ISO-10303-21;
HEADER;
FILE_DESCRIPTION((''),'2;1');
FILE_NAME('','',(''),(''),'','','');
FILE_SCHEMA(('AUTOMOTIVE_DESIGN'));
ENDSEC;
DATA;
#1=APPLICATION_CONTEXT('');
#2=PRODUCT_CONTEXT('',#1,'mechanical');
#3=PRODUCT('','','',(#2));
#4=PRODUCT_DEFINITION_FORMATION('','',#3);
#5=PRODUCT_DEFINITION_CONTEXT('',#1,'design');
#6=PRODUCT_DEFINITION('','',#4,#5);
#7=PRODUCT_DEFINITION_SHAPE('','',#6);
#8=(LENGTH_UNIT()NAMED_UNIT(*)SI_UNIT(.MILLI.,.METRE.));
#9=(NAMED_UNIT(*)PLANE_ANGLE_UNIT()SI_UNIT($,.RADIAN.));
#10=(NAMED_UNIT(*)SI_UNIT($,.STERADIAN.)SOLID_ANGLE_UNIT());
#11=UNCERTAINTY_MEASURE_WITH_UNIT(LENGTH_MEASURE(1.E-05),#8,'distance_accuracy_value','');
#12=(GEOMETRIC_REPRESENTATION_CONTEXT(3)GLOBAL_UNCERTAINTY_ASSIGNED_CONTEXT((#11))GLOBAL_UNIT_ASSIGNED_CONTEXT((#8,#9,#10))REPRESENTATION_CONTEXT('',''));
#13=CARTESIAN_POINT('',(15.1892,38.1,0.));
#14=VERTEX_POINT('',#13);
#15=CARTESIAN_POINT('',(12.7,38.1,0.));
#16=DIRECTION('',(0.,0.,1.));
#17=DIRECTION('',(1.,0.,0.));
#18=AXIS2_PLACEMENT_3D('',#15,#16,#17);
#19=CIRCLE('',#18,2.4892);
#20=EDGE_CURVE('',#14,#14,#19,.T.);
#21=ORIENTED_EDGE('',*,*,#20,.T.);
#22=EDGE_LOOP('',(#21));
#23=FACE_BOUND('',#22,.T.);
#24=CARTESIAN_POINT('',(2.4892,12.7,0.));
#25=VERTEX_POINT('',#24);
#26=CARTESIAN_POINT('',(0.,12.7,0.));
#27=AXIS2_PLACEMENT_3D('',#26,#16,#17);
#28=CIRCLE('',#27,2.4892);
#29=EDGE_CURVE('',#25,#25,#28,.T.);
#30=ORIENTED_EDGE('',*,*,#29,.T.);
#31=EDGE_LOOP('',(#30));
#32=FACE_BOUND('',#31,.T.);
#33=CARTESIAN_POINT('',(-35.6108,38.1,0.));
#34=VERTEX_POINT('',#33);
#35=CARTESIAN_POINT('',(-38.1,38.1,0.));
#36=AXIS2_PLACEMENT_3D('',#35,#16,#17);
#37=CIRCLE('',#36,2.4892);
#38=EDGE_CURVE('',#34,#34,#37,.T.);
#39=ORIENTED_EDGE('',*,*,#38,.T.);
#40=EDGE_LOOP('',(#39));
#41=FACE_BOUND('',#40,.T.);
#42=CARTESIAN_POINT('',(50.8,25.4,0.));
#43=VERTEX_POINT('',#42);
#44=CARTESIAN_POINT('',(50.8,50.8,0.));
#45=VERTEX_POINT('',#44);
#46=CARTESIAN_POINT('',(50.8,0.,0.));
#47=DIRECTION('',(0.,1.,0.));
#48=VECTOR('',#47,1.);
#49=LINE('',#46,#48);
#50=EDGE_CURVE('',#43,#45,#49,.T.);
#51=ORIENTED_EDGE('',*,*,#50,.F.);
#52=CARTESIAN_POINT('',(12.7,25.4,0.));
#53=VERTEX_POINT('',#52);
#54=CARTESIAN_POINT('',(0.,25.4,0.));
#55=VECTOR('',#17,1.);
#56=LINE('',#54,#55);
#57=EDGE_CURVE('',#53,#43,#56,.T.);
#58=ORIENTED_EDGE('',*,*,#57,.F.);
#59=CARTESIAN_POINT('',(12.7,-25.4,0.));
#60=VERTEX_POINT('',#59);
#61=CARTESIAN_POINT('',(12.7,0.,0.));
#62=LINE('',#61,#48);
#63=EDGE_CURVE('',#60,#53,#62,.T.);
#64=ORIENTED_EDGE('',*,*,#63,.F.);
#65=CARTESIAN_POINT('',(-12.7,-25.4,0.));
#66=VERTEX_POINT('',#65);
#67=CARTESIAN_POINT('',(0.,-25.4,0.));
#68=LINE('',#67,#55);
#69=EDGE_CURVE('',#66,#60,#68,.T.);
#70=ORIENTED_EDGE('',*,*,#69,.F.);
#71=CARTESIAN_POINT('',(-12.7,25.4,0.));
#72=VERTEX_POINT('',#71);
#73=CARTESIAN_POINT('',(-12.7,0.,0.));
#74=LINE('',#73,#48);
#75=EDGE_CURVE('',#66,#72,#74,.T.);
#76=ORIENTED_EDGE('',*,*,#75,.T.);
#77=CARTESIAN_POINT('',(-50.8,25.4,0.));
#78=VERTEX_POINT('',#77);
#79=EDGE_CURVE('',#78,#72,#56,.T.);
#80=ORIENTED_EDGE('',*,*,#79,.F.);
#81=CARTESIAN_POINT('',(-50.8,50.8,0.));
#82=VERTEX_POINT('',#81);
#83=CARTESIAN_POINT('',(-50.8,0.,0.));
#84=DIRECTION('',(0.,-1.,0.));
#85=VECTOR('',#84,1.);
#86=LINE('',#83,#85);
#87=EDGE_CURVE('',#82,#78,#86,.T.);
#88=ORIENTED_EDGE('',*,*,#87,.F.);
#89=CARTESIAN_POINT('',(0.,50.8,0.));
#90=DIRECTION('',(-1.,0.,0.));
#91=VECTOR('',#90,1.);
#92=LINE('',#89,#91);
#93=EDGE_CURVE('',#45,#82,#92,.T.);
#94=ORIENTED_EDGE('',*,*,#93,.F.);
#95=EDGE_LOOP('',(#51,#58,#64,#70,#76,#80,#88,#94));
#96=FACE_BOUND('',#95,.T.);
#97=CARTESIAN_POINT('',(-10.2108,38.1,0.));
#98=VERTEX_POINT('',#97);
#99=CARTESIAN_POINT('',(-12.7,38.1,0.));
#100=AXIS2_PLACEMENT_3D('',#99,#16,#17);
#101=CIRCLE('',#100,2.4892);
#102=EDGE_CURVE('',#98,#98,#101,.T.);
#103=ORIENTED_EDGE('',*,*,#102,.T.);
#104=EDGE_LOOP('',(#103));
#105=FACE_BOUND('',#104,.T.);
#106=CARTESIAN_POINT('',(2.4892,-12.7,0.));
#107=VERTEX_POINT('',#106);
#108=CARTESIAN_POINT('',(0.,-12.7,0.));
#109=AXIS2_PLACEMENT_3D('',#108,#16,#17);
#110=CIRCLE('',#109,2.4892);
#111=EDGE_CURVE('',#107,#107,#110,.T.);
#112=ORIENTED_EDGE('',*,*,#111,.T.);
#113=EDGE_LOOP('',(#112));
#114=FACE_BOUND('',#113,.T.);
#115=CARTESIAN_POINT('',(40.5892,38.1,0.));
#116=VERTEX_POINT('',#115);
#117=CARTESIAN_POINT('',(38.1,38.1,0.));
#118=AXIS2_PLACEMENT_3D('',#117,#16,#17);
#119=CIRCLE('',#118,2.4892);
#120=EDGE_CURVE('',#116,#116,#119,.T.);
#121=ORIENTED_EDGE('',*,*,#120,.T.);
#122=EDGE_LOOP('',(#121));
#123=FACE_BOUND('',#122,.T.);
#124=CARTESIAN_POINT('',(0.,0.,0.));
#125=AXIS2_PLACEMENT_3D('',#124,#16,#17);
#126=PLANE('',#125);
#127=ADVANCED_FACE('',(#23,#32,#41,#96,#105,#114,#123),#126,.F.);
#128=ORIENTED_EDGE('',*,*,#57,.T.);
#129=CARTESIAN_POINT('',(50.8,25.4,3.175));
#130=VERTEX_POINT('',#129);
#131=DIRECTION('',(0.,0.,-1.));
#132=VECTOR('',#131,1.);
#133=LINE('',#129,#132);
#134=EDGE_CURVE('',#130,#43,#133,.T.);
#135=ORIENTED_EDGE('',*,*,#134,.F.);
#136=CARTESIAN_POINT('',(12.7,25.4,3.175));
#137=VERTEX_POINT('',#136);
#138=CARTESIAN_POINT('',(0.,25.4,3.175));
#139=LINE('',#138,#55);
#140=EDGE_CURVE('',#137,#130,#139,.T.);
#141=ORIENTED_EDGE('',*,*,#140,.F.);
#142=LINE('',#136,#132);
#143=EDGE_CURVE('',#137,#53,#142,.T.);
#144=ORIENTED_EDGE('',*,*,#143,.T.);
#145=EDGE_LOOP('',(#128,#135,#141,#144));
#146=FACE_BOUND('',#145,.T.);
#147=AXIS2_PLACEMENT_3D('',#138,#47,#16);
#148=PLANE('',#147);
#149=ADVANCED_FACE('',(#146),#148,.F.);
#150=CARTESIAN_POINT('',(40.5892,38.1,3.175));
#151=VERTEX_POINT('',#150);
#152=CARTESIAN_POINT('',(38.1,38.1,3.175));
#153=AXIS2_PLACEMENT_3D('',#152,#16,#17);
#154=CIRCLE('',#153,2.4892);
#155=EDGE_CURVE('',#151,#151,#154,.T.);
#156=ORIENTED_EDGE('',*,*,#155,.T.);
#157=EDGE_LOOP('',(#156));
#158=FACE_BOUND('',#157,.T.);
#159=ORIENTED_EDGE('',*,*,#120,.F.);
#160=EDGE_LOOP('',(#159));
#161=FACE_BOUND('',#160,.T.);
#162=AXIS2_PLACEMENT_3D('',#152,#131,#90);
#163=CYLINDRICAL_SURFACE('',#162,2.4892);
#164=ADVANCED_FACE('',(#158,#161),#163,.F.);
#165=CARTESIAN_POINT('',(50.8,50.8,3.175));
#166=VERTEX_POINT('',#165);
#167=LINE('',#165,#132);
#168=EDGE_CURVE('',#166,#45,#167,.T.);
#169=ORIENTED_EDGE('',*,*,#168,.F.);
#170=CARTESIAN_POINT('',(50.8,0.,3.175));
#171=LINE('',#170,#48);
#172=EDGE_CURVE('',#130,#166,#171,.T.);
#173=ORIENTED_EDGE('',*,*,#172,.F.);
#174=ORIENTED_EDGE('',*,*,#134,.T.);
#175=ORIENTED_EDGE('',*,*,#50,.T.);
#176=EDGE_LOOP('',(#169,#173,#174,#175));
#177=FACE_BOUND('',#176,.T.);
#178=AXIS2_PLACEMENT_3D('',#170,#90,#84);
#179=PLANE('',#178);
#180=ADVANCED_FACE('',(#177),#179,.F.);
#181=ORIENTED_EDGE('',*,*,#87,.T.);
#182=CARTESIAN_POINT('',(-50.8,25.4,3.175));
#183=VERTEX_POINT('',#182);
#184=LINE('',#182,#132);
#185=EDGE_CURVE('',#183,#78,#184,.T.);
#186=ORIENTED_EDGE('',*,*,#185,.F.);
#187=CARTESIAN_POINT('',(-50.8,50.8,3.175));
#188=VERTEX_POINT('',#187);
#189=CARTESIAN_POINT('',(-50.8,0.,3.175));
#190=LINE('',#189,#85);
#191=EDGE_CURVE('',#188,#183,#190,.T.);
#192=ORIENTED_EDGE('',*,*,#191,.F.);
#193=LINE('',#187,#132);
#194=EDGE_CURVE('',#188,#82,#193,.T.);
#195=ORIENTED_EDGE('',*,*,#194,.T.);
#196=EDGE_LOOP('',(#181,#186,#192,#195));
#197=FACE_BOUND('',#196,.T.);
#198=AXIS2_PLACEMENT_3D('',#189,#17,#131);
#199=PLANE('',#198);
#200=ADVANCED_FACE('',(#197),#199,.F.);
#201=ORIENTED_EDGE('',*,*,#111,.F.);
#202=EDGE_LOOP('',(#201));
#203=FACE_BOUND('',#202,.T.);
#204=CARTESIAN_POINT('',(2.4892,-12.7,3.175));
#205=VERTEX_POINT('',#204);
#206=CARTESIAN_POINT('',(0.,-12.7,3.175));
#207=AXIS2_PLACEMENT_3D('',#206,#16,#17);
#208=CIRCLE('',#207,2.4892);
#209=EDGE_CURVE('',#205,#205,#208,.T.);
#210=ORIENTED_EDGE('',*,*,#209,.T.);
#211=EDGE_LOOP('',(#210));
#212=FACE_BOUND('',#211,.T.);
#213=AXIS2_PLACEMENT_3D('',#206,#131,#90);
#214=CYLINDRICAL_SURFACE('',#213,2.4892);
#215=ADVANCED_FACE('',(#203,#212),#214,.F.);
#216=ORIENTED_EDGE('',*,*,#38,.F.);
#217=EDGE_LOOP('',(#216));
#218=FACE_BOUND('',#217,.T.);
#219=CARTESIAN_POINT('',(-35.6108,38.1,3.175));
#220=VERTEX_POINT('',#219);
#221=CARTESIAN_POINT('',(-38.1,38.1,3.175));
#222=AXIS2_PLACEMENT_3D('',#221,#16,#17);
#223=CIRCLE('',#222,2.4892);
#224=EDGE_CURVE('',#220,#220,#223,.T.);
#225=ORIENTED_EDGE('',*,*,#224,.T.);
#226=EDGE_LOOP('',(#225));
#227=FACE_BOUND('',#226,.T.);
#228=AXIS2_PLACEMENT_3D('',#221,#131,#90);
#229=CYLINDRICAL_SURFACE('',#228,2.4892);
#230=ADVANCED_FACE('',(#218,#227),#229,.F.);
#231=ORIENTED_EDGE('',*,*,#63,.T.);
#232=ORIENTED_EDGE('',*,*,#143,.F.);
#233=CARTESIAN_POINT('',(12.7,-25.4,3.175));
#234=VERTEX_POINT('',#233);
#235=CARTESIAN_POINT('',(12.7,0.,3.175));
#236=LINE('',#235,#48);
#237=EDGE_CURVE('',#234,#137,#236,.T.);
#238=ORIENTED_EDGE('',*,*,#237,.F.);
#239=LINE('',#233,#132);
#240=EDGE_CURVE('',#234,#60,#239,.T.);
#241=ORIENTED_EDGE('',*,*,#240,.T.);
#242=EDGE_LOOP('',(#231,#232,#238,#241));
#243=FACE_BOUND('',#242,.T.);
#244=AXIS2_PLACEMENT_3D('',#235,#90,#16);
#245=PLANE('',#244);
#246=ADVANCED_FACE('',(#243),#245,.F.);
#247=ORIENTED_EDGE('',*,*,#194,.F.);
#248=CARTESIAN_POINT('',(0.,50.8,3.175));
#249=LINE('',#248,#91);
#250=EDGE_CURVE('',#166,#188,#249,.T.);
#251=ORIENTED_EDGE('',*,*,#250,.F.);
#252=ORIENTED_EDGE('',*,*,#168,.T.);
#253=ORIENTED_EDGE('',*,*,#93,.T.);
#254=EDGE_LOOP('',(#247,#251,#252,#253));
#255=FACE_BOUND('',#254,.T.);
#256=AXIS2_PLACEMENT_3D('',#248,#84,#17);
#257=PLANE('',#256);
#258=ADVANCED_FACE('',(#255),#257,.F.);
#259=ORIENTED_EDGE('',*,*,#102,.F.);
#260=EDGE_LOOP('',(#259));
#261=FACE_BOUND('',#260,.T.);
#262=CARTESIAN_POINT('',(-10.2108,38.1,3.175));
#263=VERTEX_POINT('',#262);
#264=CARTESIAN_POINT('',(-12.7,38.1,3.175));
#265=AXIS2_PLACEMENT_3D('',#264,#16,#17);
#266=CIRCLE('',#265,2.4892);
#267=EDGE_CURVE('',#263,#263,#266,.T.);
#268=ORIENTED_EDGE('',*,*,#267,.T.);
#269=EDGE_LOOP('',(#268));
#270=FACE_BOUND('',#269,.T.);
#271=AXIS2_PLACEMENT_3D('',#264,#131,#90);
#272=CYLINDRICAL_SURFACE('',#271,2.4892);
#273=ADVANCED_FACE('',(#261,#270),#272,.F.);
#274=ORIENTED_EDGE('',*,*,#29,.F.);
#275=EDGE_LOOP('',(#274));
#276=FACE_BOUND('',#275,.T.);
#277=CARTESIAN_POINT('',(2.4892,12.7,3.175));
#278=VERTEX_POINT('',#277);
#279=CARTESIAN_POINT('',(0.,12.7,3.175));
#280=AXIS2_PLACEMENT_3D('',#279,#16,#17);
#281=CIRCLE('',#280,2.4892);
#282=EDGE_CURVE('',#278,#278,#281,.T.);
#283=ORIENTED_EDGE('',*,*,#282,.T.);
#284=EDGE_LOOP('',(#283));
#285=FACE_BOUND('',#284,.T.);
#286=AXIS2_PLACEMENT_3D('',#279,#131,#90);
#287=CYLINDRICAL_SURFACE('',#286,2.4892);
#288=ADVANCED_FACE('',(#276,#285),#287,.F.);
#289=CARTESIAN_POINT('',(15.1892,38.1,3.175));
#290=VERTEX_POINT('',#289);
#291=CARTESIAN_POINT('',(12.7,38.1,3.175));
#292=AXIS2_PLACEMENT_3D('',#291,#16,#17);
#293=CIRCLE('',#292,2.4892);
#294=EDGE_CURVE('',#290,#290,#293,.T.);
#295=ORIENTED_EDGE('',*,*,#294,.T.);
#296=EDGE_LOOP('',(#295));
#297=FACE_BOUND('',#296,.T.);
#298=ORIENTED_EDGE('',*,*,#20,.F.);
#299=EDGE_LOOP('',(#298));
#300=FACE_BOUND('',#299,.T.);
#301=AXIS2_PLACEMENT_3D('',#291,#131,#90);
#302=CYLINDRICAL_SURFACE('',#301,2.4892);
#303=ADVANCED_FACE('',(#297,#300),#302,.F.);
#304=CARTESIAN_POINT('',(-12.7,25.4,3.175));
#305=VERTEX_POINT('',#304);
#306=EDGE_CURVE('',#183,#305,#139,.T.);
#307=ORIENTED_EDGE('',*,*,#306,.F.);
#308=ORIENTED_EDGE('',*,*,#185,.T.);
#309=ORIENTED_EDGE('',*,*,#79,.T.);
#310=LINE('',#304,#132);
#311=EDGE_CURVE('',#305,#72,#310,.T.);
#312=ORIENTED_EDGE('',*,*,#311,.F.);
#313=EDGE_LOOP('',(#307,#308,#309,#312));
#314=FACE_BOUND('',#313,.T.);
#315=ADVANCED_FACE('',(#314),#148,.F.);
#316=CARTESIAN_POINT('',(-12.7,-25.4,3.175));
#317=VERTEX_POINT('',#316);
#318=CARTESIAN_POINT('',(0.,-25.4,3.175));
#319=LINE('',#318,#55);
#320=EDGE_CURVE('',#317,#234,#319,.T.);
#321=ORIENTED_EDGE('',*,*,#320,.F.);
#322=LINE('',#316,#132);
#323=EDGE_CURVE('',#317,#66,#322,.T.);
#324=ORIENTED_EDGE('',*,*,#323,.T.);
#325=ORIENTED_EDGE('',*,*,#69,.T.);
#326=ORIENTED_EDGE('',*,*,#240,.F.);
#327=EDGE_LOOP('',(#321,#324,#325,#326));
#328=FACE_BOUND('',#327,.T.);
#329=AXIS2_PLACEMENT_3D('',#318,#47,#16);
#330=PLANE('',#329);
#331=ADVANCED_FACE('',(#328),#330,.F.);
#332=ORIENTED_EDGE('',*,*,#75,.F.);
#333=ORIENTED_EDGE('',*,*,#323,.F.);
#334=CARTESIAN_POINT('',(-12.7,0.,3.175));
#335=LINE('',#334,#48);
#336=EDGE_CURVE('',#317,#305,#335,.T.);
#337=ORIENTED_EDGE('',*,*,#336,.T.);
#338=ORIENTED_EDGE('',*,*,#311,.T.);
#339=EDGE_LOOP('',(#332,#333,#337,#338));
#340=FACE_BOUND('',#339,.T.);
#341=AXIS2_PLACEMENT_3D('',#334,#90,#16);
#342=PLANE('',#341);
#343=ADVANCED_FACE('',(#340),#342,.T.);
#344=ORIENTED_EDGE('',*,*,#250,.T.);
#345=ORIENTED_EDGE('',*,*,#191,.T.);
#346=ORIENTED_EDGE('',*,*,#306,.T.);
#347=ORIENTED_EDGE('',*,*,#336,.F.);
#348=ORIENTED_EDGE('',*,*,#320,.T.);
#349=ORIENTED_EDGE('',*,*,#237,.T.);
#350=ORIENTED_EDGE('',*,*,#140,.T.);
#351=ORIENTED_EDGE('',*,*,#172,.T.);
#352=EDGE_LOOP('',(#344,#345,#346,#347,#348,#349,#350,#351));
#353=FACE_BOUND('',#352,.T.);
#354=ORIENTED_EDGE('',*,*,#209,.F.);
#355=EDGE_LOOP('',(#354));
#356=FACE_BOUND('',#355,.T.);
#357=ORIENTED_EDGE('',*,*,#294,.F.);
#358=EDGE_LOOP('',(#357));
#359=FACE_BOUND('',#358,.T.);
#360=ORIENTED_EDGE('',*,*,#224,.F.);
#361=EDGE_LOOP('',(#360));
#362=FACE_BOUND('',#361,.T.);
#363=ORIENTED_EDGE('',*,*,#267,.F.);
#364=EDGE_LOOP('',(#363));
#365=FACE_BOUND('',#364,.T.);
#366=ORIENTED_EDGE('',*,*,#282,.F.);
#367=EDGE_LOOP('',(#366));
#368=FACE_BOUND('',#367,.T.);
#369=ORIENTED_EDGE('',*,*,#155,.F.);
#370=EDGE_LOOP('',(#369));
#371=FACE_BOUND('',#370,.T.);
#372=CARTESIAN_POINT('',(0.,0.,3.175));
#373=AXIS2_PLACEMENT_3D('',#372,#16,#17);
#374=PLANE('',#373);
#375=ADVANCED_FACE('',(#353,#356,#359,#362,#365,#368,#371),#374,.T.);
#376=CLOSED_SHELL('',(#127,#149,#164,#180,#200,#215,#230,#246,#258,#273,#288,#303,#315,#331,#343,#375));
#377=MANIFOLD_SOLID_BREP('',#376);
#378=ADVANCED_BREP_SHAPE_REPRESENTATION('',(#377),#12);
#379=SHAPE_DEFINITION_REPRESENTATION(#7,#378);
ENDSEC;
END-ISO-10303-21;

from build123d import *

# Parameters (mm, degrees)
SKETCH1_R           = 2.4892
BOSS_EXTRUDE1_DEPTH = 3.175


with BuildPart() as part:
    # Sketch1 → Boss-Extrude1 (new body)
    with BuildSketch(Plane.XY):
        Polygon((-50.8, 50.8), (-50.8, 25.4), (-12.7, 25.4), (-12.7, -25.4), (12.7, -25.4), (12.7, 25.4), (50.8, 25.4), (50.8, 50.8), align=None)
        with Locations((-38.1, 38.1)):
            Circle(SKETCH1_R, mode=Mode.SUBTRACT)
        with Locations((-12.7, 38.1)):
            Circle(SKETCH1_R, mode=Mode.SUBTRACT)
        with Locations((12.7, 38.1)):
            Circle(SKETCH1_R, mode=Mode.SUBTRACT)
        with Locations((38.1, 38.1)):
            Circle(SKETCH1_R, mode=Mode.SUBTRACT)
        with Locations((0, 12.7)):
            Circle(SKETCH1_R, mode=Mode.SUBTRACT)
        with Locations((0, -12.7)):
            Circle(SKETCH1_R, mode=Mode.SUBTRACT)
    extrude(amount=BOSS_EXTRUDE1_DEPTH)


solid = part.part
